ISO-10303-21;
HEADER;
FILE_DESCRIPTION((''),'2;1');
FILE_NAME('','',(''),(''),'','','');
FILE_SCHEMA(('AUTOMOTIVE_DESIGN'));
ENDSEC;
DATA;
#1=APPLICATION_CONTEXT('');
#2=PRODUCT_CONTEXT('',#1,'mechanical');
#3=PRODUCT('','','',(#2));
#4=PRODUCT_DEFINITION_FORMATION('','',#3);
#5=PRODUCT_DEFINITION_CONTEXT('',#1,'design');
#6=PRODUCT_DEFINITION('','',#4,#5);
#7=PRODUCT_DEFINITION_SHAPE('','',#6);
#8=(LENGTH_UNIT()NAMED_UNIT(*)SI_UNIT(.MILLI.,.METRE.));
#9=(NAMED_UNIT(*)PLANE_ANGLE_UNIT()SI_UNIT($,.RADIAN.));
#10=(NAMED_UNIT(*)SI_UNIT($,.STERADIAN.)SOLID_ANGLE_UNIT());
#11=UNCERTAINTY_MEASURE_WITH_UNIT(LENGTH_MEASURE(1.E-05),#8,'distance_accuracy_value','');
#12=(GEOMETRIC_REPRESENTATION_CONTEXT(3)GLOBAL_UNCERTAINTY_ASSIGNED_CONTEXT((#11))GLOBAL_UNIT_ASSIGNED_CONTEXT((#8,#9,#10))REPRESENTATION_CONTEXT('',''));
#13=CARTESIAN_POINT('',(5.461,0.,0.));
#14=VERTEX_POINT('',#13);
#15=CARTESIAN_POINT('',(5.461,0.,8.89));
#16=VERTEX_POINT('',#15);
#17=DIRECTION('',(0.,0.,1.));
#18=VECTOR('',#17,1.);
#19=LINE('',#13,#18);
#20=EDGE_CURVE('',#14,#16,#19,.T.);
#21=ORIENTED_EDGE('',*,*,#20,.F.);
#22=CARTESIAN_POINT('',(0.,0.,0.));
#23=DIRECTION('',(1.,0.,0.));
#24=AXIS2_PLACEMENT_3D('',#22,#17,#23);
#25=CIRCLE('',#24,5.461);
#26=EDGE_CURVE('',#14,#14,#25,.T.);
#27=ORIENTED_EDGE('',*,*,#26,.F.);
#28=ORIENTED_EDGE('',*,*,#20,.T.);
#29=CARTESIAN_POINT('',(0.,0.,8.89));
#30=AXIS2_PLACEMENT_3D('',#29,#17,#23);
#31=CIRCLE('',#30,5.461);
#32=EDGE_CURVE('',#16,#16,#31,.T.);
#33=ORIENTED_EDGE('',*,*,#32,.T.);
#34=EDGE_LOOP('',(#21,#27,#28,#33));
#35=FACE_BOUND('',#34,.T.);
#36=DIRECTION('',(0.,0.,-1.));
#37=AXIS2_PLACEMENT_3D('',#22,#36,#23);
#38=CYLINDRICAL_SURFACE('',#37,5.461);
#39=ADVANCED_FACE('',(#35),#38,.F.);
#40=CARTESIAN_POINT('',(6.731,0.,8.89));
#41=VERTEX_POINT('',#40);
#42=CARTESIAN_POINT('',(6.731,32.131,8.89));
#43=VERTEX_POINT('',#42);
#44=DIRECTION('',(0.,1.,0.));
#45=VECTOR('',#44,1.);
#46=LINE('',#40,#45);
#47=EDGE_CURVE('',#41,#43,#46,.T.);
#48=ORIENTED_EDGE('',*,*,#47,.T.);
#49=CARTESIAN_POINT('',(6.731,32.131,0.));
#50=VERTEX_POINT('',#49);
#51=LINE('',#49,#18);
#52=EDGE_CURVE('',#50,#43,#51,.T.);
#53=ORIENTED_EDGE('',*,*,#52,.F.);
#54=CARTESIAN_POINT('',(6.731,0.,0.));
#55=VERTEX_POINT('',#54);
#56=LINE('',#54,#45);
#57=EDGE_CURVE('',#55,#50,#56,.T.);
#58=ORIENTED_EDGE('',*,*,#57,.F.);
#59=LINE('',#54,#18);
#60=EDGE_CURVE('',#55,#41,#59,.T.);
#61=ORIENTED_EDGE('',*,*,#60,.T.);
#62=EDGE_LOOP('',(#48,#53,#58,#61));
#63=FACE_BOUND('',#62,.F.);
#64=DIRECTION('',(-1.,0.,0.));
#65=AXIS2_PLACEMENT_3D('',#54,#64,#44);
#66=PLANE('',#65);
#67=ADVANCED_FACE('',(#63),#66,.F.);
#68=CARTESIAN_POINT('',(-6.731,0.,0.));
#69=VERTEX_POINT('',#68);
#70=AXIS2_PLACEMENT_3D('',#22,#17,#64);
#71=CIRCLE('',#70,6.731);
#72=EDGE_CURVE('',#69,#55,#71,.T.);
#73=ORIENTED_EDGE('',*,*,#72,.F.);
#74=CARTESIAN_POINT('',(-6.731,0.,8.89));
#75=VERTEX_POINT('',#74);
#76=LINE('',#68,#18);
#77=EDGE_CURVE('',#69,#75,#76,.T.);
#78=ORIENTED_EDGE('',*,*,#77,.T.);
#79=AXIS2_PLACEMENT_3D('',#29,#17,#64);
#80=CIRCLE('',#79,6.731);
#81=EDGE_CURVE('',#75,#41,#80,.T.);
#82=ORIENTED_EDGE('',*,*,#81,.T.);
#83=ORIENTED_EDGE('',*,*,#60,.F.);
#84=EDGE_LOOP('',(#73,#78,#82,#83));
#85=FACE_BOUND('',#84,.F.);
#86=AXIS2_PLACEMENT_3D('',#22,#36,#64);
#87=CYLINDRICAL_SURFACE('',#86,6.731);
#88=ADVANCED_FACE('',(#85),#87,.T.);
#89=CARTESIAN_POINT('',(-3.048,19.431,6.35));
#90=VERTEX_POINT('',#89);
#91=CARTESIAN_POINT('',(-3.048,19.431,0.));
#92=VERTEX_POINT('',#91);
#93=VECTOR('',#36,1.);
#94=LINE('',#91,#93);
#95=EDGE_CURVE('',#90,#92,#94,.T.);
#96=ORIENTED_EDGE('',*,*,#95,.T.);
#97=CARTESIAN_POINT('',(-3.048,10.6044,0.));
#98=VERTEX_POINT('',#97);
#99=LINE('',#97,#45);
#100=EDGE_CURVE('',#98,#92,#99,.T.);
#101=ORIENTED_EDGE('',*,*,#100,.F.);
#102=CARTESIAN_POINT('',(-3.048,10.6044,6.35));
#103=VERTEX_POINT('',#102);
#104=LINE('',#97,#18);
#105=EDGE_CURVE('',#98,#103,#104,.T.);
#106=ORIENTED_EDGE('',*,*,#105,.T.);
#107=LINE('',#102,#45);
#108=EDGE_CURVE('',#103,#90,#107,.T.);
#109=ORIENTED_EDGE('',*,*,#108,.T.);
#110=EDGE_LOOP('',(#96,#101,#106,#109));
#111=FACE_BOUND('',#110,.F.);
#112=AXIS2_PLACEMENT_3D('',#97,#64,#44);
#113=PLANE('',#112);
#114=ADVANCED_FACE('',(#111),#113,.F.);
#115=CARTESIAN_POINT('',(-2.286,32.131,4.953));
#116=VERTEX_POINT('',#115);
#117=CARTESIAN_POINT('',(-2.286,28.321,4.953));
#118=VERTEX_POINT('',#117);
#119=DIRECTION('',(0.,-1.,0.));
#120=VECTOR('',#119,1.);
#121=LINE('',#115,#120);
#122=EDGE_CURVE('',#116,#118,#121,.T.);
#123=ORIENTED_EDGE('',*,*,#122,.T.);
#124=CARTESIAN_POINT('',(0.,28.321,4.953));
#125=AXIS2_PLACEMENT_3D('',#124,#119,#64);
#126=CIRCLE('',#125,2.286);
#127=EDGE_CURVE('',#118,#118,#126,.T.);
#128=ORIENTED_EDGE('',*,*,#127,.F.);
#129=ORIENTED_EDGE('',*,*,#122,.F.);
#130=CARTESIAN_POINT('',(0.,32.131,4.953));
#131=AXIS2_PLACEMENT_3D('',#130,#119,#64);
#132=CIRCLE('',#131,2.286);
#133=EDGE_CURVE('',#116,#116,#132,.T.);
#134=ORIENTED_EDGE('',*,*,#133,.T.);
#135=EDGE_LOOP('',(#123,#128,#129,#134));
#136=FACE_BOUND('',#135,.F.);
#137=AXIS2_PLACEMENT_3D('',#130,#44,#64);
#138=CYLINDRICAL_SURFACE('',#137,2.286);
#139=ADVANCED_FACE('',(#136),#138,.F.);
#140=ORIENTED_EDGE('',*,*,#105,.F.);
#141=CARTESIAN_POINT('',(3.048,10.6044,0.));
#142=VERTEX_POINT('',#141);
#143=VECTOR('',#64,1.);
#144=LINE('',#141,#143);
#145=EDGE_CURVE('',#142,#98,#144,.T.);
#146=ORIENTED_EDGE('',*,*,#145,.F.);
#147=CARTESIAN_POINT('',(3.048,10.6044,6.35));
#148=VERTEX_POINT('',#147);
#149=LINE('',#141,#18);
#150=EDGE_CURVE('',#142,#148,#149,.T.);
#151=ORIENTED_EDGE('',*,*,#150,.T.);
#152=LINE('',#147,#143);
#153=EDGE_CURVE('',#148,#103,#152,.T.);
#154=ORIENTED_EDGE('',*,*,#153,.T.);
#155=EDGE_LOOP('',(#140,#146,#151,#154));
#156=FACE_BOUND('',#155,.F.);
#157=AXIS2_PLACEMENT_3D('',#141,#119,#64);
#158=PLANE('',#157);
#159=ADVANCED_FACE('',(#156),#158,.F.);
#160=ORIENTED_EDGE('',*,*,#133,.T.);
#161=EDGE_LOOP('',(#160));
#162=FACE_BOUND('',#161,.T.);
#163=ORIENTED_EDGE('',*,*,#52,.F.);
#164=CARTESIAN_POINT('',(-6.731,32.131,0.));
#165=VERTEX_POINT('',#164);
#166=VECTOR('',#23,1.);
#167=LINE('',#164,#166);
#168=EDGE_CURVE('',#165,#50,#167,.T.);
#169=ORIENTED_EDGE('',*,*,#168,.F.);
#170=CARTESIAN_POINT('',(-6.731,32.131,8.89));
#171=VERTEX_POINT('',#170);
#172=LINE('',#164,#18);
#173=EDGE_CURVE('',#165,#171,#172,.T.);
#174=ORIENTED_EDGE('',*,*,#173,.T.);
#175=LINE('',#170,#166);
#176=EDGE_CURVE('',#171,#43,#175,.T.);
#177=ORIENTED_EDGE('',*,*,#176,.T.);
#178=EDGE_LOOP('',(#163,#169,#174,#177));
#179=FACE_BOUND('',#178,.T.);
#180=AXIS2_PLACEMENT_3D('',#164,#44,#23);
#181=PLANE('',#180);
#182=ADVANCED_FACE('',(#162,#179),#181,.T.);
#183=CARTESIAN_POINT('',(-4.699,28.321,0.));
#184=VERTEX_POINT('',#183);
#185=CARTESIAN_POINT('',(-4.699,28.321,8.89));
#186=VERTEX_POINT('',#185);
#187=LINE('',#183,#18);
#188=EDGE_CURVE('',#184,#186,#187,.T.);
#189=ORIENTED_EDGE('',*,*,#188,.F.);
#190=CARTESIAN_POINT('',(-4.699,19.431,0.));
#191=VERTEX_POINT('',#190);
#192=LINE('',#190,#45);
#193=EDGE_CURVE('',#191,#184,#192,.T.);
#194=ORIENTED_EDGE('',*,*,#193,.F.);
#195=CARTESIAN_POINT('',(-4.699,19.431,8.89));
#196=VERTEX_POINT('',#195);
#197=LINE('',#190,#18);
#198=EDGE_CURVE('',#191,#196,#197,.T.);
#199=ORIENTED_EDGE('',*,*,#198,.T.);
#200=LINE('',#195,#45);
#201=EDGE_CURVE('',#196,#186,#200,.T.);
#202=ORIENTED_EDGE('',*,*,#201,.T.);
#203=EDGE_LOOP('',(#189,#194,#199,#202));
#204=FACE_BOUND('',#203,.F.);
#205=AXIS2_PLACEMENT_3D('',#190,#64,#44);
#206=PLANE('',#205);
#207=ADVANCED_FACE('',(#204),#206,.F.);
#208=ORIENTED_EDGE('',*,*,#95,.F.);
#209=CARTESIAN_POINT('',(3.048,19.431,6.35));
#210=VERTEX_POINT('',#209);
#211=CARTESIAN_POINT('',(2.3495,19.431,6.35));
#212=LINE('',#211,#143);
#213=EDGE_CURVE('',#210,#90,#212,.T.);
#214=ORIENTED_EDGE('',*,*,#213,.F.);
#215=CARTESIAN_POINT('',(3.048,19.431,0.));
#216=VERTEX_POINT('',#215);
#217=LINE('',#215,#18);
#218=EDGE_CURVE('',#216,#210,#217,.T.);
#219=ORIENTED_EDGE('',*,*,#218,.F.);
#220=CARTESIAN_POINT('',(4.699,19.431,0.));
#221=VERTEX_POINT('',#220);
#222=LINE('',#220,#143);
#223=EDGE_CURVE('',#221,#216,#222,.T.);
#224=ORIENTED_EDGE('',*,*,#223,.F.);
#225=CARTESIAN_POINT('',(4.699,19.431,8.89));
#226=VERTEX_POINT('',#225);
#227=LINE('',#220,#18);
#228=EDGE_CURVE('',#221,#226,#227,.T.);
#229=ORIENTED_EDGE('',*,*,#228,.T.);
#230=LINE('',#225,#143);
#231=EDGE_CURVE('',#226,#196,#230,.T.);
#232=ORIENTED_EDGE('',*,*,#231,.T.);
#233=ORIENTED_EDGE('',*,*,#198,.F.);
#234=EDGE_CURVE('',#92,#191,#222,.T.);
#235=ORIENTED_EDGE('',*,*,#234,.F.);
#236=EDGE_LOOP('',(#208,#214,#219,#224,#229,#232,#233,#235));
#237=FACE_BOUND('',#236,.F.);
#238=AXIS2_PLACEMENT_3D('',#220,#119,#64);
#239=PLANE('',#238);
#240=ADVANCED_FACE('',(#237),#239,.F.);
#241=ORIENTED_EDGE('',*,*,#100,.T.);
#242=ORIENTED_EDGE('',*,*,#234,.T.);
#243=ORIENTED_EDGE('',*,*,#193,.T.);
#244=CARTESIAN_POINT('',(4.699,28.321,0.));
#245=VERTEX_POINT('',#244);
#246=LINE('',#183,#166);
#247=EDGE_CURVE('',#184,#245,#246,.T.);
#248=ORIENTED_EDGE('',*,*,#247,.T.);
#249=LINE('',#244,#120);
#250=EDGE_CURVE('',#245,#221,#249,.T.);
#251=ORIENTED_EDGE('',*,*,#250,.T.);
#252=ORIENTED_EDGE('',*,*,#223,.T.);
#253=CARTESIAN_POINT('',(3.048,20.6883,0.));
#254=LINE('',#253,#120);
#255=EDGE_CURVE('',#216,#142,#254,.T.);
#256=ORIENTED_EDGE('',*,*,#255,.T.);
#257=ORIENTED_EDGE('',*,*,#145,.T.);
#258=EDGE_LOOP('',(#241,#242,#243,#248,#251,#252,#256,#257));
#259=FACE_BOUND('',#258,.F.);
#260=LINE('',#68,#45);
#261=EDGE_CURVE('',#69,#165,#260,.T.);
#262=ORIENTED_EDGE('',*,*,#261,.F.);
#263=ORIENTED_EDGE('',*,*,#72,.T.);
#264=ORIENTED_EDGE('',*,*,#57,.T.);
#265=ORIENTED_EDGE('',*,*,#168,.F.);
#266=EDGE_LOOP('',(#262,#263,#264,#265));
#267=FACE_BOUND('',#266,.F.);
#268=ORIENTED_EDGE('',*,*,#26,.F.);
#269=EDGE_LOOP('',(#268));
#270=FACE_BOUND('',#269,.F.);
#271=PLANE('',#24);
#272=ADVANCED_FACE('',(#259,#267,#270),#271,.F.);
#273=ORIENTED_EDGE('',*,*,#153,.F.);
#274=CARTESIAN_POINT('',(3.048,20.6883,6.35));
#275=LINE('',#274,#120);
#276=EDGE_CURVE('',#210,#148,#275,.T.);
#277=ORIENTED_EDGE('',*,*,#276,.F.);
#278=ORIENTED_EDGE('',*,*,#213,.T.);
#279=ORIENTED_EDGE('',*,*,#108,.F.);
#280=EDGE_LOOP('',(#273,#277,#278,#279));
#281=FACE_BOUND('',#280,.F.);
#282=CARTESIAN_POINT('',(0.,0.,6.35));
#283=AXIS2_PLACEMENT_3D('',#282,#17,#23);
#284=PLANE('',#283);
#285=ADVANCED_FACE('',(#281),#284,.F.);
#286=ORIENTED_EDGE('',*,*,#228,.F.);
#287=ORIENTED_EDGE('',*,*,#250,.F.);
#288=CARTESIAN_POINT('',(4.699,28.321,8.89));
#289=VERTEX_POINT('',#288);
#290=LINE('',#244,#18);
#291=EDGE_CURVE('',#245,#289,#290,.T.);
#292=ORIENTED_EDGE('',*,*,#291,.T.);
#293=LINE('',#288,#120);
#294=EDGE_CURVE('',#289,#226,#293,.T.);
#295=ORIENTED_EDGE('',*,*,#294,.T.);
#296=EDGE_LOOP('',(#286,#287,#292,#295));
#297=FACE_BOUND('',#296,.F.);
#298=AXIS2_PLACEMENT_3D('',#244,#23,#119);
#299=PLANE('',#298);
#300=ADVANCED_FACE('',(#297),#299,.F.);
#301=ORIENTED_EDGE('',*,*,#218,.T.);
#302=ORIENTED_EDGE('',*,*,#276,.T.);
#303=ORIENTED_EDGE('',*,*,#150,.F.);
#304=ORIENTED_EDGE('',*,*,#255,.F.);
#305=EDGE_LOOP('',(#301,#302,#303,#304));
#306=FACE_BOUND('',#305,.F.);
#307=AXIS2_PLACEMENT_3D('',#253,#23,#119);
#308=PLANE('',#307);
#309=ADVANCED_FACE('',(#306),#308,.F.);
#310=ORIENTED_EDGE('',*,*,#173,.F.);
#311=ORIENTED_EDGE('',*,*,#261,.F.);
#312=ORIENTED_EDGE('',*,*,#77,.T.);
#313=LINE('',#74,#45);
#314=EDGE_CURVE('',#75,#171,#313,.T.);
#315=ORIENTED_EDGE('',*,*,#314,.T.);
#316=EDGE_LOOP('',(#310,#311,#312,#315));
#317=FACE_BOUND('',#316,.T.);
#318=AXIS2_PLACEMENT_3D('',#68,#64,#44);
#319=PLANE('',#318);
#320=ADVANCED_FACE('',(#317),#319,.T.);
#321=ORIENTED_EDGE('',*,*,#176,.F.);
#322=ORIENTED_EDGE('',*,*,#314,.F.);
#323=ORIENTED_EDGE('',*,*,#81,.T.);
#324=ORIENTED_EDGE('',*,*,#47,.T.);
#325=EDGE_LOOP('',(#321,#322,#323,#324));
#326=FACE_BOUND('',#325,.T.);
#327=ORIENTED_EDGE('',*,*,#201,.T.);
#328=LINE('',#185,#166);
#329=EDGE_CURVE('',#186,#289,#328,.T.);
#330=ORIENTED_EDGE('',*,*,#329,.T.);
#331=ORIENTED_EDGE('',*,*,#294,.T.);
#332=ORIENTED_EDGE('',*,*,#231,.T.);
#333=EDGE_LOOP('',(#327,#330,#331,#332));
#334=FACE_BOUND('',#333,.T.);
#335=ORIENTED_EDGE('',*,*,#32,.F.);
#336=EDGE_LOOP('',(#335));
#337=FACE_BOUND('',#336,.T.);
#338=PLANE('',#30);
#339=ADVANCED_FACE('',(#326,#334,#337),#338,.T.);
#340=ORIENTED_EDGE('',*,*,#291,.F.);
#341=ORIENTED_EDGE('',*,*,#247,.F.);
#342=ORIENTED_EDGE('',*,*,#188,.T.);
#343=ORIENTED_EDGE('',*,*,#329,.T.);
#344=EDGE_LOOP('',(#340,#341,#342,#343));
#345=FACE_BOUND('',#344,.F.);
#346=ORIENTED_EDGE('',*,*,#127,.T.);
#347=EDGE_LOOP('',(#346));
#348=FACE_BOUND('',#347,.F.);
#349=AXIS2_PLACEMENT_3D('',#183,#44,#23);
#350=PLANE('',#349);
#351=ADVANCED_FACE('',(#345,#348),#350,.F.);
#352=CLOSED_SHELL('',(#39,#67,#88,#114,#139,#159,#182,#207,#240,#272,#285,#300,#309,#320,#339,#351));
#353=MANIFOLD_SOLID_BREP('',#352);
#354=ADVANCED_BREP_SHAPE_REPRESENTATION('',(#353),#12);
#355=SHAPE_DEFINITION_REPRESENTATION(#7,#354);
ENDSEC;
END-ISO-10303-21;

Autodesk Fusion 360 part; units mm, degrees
sketch "Sketch1" plane through (0, 0, 0) normal (0, 0, 1) x (1, 0, 0)
  circle A0 centre (0, 0) radius 5.461
  line L0 (-6.731, 0) -> (-6.731, 32.131)
  line L1 (6.731, 0) -> (6.731, 32.131)
  line L2 (4.699, 19.431) -> (-4.699, 19.431)
  line L3 (-4.699, 19.431) -> (-4.699, 28.321)
  line L4 (-4.699, 28.321) -> (4.699, 28.321)
  line L5 (4.699, 28.321) -> (4.699, 19.431)
  line L6 (4.699, 19.431) -> (-4.699, 28.321) construction
  line L7 (-4.699, 19.431) -> (4.699, 28.321) construction
  line L8 (-6.731, 32.131) -> (6.731, 32.131)
  arc A1 (-6.731, 0) -> (6.731, 0) centre (0, 0) ccw
  point P0 (0, 23.876)
  point P1 (0, 6.731)
  dimension "d1" = 10.922
  dimension "d2" = 13.462
  dimension "d5" = 9.398
  dimension "d6" = 8.89
  dimension "d7" = 12.7
  dimension "d8" = 3.81
extrude "Extrude1" add sketch "Sketch1" along normal blind 8.89
sketch "Sketch3" plane through (0, 32.131, 0) normal (0, 1, 0) x (-1, 0, 0)
  line L0 (-6.731, 0) -> (6.731, 0)
  line L1 (6.731, 0) -> (6.731, 8.89)
  line L2 (6.731, 8.89) -> (-6.731, 8.89)
  line L3 (-6.731, 8.89) -> (-6.731, 0)
  line L4 (0, 8.89) -> (0, 7.239)
  circle A0 centre (0, 4.953) radius 2.286
  dimension "d12" = 1.651
  dimension "d13" = 4.572
extrude "Extrude2" cut sketch "Sketch3" against normal blind 5.842 contours A0
sketch "Sketch4" plane through (0, 0, 8.89) normal (0, 0, 1) x (-1, 0, 0)
  circle A0 centre (0, 0) radius 5.461
  line L0 (4.699, -28.321) -> (-4.699, -28.321)
  line L1 (-4.699, -28.321) -> (-4.699, -19.431)
  line L2 (-4.699, -19.431) -> (4.699, -19.431)
  line L3 (4.699, -19.431) -> (4.699, -28.321)
  line L4 (6.731, -32.131) -> (6.731, 0)
  arc A1 (6.731, 0) -> (-6.731, 0) centre (0, 0) ccw
  line L5 (-6.731, 0) -> (-6.731, -32.131)
  line L6 (-6.731, -32.131) -> (6.731, -32.131)
sketch "Sketch5" plane through (0, 0, 0) normal (0, 0, 1) x (1, 0, 0)
  line L0 (-3.048, 20.6883) -> (3.048, 20.6883)
  line L1 (3.048, 20.6883) -> (3.048, 10.6044)
  line L2 (3.048, 10.6044) -> (-3.048, 10.6044)
  line L3 (-3.048, 10.6044) -> (-3.048, 20.6883)
  point P0 (0, 10.6044)
  dimension "d18" = 6.096
extrude "Extrude3" cut sketch "Sketch5" along normal blind 6.35
